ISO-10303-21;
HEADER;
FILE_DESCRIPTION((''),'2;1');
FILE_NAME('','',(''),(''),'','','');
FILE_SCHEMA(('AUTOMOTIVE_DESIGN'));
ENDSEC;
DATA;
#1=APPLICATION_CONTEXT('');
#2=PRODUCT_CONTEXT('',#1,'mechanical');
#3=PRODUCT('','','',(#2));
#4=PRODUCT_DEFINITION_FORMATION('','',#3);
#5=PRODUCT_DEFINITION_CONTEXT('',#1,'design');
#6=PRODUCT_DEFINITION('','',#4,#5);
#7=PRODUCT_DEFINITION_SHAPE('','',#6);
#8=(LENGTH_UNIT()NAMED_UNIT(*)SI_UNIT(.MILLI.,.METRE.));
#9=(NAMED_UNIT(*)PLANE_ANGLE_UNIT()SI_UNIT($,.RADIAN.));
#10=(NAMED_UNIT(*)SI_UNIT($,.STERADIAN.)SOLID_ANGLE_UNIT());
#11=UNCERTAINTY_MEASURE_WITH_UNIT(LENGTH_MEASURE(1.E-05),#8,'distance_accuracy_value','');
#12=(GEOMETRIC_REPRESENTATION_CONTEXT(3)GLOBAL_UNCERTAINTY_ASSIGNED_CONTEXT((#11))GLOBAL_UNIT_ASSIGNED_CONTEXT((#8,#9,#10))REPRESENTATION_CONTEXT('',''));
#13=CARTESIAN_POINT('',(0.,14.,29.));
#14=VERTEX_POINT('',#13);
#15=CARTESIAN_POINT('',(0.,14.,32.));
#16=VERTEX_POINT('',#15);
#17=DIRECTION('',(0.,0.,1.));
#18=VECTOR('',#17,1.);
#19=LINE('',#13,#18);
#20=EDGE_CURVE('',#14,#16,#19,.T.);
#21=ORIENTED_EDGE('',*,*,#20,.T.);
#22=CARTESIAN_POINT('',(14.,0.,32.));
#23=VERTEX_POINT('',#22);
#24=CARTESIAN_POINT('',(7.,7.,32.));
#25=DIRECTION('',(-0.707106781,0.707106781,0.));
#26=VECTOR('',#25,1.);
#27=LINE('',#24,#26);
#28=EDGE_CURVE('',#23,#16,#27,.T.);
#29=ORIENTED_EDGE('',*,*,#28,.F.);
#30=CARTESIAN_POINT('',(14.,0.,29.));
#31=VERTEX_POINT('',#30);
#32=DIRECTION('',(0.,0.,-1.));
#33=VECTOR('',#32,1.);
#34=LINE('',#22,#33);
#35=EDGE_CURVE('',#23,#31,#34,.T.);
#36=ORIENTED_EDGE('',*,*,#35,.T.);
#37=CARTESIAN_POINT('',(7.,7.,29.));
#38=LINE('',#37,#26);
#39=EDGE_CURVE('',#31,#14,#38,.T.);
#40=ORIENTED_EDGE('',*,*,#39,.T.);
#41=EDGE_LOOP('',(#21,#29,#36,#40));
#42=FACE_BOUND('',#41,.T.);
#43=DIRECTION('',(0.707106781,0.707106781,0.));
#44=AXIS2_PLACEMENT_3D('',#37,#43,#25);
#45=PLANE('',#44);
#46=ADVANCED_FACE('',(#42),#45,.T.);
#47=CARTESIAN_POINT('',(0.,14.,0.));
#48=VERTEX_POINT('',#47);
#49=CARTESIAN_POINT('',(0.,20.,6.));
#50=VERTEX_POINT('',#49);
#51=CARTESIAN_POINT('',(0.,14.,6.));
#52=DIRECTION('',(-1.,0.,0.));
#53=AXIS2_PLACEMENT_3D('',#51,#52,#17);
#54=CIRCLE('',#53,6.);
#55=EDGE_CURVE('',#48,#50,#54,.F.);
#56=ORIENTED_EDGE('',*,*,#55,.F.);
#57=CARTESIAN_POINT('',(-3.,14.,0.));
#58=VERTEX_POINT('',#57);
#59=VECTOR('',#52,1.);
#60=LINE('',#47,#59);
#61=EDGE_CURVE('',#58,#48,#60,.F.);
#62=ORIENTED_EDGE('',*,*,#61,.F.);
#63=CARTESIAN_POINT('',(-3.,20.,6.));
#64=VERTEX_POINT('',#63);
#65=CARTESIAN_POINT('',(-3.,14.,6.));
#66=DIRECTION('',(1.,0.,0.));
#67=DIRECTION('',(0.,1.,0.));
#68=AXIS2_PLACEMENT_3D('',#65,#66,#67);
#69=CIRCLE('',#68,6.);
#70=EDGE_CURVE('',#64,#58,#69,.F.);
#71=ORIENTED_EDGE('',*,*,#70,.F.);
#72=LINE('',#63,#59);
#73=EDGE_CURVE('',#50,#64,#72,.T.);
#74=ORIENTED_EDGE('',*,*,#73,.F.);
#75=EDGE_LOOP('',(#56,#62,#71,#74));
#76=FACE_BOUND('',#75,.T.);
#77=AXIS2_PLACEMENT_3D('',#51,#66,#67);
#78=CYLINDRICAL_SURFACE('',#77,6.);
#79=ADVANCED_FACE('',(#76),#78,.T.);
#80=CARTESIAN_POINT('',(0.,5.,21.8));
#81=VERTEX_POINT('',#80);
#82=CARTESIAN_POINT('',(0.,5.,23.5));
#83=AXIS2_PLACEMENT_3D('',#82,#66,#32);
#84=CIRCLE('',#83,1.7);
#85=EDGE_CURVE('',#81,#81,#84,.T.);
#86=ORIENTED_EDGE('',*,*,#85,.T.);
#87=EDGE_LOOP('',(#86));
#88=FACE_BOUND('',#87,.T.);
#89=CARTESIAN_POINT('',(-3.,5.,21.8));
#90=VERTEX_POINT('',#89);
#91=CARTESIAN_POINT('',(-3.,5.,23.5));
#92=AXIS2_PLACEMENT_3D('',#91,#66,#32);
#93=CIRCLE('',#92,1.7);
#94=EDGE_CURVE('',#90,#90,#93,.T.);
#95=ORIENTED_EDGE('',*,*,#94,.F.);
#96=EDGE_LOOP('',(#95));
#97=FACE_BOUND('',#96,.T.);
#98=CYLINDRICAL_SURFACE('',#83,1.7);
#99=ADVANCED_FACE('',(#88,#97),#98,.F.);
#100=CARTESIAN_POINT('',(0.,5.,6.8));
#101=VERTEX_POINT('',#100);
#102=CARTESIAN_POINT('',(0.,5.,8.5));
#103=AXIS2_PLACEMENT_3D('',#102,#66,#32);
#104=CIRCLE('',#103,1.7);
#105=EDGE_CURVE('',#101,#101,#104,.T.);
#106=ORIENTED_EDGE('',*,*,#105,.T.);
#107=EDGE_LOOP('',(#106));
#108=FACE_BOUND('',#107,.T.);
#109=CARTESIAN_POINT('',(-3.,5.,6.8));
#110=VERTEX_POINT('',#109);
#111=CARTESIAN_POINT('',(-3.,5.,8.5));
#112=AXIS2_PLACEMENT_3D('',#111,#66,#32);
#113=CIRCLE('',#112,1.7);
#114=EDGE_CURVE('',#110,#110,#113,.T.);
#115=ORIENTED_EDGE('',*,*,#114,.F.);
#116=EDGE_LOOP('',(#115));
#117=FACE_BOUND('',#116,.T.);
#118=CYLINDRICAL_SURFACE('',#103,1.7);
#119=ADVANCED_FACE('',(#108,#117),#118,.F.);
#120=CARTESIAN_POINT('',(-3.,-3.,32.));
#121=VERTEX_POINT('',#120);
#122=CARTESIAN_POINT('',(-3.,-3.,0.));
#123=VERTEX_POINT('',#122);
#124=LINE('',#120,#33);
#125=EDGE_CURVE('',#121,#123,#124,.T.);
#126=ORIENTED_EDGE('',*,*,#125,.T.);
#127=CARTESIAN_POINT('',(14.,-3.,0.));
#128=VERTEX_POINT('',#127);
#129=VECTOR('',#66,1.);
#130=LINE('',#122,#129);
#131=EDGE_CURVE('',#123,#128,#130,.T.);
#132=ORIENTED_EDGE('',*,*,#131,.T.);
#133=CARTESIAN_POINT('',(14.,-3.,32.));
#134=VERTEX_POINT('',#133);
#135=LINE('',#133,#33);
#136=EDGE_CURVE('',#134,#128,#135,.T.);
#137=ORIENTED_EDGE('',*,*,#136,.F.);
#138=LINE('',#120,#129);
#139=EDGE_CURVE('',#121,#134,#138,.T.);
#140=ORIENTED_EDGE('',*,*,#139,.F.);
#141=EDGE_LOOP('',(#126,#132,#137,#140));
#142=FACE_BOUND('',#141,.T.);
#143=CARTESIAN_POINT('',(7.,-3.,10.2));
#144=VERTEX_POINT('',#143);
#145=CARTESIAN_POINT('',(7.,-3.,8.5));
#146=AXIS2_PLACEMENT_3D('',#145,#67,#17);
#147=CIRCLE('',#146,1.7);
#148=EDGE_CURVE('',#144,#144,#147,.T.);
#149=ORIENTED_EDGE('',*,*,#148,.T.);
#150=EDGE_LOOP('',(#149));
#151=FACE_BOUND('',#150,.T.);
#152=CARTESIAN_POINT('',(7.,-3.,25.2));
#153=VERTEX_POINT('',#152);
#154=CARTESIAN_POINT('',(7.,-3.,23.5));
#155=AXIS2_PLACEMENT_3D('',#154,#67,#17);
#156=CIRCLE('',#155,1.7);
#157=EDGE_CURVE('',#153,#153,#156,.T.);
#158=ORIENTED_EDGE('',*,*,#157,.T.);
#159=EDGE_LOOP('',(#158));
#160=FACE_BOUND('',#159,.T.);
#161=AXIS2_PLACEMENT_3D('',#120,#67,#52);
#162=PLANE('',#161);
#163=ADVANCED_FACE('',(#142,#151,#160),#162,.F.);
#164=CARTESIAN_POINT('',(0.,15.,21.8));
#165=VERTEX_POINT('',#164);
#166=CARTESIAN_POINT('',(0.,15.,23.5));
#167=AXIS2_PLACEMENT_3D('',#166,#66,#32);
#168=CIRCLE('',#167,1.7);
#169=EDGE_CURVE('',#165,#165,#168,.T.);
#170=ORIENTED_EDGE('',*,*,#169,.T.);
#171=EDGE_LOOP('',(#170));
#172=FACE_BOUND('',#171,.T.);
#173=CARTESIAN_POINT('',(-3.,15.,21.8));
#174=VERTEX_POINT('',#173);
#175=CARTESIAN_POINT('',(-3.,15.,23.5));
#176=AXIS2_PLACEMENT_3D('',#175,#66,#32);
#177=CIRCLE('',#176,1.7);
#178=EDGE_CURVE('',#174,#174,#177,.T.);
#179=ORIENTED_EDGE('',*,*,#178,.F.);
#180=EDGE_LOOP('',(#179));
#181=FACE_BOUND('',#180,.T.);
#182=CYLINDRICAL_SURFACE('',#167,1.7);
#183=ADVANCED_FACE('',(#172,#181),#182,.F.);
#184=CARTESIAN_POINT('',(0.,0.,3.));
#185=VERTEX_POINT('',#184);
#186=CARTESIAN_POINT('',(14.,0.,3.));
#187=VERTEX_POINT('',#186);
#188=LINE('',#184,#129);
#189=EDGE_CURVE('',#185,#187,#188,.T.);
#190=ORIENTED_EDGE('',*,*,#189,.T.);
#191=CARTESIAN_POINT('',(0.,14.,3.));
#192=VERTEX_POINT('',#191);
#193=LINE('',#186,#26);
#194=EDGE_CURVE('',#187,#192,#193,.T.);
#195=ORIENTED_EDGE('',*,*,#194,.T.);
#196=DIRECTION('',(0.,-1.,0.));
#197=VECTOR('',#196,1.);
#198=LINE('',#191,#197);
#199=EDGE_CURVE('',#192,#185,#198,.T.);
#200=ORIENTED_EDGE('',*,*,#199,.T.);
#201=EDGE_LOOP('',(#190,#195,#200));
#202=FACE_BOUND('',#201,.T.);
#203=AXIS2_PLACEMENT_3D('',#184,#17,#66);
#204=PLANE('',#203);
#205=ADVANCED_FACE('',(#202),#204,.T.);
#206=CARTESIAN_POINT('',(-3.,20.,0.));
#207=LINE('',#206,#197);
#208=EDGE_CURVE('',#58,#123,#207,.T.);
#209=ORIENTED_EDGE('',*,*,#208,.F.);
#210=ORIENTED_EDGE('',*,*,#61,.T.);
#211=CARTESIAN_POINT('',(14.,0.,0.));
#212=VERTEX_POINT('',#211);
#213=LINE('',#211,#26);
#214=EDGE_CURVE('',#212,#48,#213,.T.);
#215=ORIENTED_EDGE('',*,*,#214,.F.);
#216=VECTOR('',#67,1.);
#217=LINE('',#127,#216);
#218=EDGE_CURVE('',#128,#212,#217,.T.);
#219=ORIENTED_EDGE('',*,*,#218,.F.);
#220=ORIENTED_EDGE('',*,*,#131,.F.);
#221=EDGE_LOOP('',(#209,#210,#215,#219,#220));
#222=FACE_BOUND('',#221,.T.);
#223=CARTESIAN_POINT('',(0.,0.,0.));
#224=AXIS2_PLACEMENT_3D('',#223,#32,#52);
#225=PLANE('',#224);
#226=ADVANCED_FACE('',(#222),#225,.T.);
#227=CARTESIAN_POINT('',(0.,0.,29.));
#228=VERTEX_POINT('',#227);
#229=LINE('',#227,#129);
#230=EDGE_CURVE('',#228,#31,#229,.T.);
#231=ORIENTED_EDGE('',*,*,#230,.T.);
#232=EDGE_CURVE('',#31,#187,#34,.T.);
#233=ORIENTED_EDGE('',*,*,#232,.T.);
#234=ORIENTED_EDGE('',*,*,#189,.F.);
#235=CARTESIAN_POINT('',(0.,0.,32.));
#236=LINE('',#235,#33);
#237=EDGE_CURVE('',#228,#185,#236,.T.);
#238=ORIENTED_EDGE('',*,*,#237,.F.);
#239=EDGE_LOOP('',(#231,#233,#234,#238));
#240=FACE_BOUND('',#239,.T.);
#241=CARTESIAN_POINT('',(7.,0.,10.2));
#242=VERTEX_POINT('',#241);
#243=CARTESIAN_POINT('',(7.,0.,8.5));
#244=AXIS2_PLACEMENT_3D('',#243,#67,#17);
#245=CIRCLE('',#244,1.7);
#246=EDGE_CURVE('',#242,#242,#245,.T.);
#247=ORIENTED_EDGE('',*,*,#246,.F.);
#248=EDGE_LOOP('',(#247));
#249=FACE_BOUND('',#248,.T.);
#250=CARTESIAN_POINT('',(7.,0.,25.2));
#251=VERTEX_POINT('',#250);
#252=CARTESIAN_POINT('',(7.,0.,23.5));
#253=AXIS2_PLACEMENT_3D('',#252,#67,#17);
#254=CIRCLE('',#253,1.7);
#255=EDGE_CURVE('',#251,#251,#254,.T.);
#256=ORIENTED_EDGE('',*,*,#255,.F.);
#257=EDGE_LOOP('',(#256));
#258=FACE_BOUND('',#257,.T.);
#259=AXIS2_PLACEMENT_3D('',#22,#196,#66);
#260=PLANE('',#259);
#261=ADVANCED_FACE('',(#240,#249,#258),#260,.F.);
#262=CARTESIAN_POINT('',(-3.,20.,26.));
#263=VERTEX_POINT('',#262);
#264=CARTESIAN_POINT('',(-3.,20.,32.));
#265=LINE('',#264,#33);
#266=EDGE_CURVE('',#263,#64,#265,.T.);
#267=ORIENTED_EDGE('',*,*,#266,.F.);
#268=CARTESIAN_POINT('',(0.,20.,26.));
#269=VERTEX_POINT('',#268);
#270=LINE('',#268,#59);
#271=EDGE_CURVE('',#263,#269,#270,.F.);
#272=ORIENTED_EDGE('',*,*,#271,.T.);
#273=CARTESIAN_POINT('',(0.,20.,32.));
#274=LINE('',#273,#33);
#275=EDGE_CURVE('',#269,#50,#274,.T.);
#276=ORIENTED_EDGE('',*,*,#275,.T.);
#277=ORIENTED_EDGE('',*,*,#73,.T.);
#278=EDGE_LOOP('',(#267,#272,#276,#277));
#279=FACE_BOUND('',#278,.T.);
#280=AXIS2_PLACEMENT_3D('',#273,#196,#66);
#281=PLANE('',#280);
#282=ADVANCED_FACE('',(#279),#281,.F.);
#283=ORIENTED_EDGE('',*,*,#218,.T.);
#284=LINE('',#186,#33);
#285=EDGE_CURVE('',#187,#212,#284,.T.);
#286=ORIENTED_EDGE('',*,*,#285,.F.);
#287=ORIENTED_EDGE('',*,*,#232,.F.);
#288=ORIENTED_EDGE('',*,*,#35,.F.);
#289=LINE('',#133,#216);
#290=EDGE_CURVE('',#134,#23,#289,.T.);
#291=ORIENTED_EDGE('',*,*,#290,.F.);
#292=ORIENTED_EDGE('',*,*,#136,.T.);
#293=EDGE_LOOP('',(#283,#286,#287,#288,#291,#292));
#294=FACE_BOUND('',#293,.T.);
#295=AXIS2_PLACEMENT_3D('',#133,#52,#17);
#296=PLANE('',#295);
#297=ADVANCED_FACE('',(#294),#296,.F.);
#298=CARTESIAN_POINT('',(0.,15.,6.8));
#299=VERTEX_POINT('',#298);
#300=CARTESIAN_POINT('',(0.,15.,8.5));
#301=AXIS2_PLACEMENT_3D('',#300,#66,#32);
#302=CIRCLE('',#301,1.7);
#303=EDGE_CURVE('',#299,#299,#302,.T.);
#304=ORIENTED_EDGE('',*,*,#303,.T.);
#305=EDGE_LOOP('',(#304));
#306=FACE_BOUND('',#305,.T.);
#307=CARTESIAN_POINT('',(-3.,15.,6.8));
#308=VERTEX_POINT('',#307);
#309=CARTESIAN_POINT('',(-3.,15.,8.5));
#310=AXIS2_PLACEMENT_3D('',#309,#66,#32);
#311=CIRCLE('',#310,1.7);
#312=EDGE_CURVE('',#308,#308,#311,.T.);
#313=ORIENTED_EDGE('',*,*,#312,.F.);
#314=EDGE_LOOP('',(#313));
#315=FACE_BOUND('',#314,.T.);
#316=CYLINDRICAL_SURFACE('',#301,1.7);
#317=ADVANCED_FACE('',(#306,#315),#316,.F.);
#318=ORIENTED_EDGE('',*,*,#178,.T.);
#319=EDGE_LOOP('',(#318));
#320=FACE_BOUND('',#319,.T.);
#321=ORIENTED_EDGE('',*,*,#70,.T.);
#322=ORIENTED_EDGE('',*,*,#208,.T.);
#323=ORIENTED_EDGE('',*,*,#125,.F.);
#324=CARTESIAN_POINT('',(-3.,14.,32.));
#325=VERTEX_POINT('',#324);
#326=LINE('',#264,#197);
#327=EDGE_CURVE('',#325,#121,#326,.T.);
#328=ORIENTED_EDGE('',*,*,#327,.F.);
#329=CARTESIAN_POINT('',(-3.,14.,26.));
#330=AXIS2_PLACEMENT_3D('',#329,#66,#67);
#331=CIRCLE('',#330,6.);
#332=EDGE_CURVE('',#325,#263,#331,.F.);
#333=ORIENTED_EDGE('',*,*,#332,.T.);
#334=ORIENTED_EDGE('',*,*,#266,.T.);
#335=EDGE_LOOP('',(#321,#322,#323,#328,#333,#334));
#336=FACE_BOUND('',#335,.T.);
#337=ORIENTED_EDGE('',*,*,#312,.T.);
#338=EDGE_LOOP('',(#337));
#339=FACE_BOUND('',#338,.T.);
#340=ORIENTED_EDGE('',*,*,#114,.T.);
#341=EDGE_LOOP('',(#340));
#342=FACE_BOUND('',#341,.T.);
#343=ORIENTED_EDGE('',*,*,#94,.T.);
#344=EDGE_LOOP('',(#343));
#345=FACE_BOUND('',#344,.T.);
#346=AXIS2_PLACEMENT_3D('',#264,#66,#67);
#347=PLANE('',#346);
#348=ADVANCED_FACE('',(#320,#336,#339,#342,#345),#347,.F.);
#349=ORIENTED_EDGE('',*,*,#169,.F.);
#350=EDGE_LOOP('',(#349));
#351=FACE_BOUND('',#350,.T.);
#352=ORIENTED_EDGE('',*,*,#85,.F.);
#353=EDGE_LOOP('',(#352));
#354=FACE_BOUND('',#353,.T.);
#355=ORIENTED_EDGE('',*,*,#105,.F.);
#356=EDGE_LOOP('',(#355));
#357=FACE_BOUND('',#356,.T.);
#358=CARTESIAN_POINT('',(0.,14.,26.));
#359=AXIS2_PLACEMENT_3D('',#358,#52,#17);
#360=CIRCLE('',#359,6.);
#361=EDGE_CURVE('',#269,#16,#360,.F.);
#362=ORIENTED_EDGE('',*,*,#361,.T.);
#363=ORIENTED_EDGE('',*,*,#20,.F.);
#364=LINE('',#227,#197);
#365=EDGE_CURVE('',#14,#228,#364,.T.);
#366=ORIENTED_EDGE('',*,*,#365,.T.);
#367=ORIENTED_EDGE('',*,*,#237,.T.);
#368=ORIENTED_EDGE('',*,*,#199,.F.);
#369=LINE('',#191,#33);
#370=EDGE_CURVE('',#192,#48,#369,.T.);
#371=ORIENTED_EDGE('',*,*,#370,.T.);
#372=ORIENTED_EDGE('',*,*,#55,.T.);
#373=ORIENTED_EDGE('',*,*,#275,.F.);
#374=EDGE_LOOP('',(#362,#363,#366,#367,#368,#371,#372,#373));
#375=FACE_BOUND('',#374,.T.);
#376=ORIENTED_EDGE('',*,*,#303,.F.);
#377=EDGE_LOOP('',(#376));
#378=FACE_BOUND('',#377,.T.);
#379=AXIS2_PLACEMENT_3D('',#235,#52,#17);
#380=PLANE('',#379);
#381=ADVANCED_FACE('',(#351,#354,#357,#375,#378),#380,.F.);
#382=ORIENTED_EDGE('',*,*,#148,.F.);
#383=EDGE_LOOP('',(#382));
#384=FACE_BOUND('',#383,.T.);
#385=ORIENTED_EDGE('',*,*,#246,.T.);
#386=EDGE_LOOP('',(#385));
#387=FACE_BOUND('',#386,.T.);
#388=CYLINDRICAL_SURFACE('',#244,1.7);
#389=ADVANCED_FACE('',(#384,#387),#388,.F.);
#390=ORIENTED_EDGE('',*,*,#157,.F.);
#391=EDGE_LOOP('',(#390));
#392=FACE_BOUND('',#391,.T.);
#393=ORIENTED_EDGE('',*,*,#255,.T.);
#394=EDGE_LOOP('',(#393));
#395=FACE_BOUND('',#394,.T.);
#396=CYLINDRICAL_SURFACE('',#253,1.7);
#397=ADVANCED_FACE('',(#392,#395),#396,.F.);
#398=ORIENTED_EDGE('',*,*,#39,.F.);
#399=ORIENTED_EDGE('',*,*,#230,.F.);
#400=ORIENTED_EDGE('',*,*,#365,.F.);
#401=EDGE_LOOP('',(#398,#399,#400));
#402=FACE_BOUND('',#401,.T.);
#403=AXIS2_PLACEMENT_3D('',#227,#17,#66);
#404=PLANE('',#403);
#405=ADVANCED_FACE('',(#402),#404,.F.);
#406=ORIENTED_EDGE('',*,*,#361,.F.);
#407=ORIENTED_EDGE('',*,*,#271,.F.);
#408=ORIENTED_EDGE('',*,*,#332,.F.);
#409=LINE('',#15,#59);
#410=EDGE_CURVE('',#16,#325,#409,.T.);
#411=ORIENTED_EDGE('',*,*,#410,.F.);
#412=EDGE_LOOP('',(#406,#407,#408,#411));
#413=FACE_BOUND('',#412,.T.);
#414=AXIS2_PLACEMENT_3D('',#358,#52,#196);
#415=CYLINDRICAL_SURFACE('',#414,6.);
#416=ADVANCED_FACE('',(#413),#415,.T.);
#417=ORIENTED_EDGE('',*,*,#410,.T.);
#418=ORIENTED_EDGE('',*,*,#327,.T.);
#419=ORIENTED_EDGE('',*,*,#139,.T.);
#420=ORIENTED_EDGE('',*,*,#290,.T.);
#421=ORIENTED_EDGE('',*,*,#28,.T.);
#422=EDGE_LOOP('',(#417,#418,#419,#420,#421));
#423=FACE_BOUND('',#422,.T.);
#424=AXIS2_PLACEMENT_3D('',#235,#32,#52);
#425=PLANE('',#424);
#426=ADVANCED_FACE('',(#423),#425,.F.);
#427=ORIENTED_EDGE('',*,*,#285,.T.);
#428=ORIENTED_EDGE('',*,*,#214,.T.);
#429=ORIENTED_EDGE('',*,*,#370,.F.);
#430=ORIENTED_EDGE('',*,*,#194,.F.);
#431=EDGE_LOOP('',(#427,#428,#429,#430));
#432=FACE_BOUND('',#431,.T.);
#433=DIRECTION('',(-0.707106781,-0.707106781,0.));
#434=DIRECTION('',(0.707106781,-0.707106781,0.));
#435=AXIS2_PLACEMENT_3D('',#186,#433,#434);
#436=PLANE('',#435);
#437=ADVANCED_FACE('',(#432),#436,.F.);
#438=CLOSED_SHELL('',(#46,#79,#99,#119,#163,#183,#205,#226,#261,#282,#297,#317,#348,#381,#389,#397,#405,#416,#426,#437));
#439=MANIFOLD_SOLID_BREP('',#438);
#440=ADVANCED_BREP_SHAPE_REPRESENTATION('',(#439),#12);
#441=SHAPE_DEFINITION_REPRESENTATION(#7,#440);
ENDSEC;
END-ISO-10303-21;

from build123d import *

# Parameters (mm, degrees)
PROFILE_EXTRUDE_DEPTH     = 32
GUSSET_1_EXTRUDE_DEPTH    = 3
GUSSET_START              = 29
GUSSET_2_EXTRUDE_DEPTH    = 3
SOLENOID_MOUNTING_HOLES_D = 3.4
M3_MOUNTING_HOLES_D       = 3.4
CORNER_FILLETS_R          = 6


with BuildPart() as part:
    # Profile Sketch → Profile  Extrude (new body)
    with BuildSketch(Plane.XY):
        Polygon((0, 0), (0, 20), (-3, 20), (-3, -3), (14, -3), (14, 0), align=None)
    extrude(amount=PROFILE_EXTRUDE_DEPTH)

    # Gusset Sketch → Gusset 1 Extrude (add)
    with BuildSketch(Plane.XY):
        Polygon((0, 0), (14, 0), (0, 14), align=None)
    extrude(amount=GUSSET_1_EXTRUDE_DEPTH)

    # Gusset Sketch<2> → Gusset 2 Extrude (add)
    with BuildSketch(Plane.XY.offset(GUSSET_START)):
        Polygon((0, 0), (14, 0), (0, 14), align=None)
    extrude(amount=GUSSET_2_EXTRUDE_DEPTH)

    # Solenoid Mounting Holes (through all)
    with Locations(Plane(origin=(0, 0, 0), x_dir=(0, 0, -1), z_dir=(1, 0, 0))):
        with Locations((-8.5, 15), (-23.5, 15), (-23.5, 5), (-8.5, 5)):
            Hole(SOLENOID_MOUNTING_HOLES_D / 2)

    # M3 Mounting Holes (through all)
    with Locations(Plane(origin=(0, 0, 0), x_dir=(1, 0, 0), z_dir=(0, 1, 0))):
        with Locations((7, -23.5), (7, -8.5)):
            Hole(M3_MOUNTING_HOLES_D / 2)

    # Corner Fillets
    corner_fillets_edges = [part.edges().sort_by_distance(p)[0] for p in [
        (-1.5, 20, 0),
        (-1.5, 20, 32),
    ]]
    fillet(corner_fillets_edges, radius=CORNER_FILLETS_R)


solid = part.part
